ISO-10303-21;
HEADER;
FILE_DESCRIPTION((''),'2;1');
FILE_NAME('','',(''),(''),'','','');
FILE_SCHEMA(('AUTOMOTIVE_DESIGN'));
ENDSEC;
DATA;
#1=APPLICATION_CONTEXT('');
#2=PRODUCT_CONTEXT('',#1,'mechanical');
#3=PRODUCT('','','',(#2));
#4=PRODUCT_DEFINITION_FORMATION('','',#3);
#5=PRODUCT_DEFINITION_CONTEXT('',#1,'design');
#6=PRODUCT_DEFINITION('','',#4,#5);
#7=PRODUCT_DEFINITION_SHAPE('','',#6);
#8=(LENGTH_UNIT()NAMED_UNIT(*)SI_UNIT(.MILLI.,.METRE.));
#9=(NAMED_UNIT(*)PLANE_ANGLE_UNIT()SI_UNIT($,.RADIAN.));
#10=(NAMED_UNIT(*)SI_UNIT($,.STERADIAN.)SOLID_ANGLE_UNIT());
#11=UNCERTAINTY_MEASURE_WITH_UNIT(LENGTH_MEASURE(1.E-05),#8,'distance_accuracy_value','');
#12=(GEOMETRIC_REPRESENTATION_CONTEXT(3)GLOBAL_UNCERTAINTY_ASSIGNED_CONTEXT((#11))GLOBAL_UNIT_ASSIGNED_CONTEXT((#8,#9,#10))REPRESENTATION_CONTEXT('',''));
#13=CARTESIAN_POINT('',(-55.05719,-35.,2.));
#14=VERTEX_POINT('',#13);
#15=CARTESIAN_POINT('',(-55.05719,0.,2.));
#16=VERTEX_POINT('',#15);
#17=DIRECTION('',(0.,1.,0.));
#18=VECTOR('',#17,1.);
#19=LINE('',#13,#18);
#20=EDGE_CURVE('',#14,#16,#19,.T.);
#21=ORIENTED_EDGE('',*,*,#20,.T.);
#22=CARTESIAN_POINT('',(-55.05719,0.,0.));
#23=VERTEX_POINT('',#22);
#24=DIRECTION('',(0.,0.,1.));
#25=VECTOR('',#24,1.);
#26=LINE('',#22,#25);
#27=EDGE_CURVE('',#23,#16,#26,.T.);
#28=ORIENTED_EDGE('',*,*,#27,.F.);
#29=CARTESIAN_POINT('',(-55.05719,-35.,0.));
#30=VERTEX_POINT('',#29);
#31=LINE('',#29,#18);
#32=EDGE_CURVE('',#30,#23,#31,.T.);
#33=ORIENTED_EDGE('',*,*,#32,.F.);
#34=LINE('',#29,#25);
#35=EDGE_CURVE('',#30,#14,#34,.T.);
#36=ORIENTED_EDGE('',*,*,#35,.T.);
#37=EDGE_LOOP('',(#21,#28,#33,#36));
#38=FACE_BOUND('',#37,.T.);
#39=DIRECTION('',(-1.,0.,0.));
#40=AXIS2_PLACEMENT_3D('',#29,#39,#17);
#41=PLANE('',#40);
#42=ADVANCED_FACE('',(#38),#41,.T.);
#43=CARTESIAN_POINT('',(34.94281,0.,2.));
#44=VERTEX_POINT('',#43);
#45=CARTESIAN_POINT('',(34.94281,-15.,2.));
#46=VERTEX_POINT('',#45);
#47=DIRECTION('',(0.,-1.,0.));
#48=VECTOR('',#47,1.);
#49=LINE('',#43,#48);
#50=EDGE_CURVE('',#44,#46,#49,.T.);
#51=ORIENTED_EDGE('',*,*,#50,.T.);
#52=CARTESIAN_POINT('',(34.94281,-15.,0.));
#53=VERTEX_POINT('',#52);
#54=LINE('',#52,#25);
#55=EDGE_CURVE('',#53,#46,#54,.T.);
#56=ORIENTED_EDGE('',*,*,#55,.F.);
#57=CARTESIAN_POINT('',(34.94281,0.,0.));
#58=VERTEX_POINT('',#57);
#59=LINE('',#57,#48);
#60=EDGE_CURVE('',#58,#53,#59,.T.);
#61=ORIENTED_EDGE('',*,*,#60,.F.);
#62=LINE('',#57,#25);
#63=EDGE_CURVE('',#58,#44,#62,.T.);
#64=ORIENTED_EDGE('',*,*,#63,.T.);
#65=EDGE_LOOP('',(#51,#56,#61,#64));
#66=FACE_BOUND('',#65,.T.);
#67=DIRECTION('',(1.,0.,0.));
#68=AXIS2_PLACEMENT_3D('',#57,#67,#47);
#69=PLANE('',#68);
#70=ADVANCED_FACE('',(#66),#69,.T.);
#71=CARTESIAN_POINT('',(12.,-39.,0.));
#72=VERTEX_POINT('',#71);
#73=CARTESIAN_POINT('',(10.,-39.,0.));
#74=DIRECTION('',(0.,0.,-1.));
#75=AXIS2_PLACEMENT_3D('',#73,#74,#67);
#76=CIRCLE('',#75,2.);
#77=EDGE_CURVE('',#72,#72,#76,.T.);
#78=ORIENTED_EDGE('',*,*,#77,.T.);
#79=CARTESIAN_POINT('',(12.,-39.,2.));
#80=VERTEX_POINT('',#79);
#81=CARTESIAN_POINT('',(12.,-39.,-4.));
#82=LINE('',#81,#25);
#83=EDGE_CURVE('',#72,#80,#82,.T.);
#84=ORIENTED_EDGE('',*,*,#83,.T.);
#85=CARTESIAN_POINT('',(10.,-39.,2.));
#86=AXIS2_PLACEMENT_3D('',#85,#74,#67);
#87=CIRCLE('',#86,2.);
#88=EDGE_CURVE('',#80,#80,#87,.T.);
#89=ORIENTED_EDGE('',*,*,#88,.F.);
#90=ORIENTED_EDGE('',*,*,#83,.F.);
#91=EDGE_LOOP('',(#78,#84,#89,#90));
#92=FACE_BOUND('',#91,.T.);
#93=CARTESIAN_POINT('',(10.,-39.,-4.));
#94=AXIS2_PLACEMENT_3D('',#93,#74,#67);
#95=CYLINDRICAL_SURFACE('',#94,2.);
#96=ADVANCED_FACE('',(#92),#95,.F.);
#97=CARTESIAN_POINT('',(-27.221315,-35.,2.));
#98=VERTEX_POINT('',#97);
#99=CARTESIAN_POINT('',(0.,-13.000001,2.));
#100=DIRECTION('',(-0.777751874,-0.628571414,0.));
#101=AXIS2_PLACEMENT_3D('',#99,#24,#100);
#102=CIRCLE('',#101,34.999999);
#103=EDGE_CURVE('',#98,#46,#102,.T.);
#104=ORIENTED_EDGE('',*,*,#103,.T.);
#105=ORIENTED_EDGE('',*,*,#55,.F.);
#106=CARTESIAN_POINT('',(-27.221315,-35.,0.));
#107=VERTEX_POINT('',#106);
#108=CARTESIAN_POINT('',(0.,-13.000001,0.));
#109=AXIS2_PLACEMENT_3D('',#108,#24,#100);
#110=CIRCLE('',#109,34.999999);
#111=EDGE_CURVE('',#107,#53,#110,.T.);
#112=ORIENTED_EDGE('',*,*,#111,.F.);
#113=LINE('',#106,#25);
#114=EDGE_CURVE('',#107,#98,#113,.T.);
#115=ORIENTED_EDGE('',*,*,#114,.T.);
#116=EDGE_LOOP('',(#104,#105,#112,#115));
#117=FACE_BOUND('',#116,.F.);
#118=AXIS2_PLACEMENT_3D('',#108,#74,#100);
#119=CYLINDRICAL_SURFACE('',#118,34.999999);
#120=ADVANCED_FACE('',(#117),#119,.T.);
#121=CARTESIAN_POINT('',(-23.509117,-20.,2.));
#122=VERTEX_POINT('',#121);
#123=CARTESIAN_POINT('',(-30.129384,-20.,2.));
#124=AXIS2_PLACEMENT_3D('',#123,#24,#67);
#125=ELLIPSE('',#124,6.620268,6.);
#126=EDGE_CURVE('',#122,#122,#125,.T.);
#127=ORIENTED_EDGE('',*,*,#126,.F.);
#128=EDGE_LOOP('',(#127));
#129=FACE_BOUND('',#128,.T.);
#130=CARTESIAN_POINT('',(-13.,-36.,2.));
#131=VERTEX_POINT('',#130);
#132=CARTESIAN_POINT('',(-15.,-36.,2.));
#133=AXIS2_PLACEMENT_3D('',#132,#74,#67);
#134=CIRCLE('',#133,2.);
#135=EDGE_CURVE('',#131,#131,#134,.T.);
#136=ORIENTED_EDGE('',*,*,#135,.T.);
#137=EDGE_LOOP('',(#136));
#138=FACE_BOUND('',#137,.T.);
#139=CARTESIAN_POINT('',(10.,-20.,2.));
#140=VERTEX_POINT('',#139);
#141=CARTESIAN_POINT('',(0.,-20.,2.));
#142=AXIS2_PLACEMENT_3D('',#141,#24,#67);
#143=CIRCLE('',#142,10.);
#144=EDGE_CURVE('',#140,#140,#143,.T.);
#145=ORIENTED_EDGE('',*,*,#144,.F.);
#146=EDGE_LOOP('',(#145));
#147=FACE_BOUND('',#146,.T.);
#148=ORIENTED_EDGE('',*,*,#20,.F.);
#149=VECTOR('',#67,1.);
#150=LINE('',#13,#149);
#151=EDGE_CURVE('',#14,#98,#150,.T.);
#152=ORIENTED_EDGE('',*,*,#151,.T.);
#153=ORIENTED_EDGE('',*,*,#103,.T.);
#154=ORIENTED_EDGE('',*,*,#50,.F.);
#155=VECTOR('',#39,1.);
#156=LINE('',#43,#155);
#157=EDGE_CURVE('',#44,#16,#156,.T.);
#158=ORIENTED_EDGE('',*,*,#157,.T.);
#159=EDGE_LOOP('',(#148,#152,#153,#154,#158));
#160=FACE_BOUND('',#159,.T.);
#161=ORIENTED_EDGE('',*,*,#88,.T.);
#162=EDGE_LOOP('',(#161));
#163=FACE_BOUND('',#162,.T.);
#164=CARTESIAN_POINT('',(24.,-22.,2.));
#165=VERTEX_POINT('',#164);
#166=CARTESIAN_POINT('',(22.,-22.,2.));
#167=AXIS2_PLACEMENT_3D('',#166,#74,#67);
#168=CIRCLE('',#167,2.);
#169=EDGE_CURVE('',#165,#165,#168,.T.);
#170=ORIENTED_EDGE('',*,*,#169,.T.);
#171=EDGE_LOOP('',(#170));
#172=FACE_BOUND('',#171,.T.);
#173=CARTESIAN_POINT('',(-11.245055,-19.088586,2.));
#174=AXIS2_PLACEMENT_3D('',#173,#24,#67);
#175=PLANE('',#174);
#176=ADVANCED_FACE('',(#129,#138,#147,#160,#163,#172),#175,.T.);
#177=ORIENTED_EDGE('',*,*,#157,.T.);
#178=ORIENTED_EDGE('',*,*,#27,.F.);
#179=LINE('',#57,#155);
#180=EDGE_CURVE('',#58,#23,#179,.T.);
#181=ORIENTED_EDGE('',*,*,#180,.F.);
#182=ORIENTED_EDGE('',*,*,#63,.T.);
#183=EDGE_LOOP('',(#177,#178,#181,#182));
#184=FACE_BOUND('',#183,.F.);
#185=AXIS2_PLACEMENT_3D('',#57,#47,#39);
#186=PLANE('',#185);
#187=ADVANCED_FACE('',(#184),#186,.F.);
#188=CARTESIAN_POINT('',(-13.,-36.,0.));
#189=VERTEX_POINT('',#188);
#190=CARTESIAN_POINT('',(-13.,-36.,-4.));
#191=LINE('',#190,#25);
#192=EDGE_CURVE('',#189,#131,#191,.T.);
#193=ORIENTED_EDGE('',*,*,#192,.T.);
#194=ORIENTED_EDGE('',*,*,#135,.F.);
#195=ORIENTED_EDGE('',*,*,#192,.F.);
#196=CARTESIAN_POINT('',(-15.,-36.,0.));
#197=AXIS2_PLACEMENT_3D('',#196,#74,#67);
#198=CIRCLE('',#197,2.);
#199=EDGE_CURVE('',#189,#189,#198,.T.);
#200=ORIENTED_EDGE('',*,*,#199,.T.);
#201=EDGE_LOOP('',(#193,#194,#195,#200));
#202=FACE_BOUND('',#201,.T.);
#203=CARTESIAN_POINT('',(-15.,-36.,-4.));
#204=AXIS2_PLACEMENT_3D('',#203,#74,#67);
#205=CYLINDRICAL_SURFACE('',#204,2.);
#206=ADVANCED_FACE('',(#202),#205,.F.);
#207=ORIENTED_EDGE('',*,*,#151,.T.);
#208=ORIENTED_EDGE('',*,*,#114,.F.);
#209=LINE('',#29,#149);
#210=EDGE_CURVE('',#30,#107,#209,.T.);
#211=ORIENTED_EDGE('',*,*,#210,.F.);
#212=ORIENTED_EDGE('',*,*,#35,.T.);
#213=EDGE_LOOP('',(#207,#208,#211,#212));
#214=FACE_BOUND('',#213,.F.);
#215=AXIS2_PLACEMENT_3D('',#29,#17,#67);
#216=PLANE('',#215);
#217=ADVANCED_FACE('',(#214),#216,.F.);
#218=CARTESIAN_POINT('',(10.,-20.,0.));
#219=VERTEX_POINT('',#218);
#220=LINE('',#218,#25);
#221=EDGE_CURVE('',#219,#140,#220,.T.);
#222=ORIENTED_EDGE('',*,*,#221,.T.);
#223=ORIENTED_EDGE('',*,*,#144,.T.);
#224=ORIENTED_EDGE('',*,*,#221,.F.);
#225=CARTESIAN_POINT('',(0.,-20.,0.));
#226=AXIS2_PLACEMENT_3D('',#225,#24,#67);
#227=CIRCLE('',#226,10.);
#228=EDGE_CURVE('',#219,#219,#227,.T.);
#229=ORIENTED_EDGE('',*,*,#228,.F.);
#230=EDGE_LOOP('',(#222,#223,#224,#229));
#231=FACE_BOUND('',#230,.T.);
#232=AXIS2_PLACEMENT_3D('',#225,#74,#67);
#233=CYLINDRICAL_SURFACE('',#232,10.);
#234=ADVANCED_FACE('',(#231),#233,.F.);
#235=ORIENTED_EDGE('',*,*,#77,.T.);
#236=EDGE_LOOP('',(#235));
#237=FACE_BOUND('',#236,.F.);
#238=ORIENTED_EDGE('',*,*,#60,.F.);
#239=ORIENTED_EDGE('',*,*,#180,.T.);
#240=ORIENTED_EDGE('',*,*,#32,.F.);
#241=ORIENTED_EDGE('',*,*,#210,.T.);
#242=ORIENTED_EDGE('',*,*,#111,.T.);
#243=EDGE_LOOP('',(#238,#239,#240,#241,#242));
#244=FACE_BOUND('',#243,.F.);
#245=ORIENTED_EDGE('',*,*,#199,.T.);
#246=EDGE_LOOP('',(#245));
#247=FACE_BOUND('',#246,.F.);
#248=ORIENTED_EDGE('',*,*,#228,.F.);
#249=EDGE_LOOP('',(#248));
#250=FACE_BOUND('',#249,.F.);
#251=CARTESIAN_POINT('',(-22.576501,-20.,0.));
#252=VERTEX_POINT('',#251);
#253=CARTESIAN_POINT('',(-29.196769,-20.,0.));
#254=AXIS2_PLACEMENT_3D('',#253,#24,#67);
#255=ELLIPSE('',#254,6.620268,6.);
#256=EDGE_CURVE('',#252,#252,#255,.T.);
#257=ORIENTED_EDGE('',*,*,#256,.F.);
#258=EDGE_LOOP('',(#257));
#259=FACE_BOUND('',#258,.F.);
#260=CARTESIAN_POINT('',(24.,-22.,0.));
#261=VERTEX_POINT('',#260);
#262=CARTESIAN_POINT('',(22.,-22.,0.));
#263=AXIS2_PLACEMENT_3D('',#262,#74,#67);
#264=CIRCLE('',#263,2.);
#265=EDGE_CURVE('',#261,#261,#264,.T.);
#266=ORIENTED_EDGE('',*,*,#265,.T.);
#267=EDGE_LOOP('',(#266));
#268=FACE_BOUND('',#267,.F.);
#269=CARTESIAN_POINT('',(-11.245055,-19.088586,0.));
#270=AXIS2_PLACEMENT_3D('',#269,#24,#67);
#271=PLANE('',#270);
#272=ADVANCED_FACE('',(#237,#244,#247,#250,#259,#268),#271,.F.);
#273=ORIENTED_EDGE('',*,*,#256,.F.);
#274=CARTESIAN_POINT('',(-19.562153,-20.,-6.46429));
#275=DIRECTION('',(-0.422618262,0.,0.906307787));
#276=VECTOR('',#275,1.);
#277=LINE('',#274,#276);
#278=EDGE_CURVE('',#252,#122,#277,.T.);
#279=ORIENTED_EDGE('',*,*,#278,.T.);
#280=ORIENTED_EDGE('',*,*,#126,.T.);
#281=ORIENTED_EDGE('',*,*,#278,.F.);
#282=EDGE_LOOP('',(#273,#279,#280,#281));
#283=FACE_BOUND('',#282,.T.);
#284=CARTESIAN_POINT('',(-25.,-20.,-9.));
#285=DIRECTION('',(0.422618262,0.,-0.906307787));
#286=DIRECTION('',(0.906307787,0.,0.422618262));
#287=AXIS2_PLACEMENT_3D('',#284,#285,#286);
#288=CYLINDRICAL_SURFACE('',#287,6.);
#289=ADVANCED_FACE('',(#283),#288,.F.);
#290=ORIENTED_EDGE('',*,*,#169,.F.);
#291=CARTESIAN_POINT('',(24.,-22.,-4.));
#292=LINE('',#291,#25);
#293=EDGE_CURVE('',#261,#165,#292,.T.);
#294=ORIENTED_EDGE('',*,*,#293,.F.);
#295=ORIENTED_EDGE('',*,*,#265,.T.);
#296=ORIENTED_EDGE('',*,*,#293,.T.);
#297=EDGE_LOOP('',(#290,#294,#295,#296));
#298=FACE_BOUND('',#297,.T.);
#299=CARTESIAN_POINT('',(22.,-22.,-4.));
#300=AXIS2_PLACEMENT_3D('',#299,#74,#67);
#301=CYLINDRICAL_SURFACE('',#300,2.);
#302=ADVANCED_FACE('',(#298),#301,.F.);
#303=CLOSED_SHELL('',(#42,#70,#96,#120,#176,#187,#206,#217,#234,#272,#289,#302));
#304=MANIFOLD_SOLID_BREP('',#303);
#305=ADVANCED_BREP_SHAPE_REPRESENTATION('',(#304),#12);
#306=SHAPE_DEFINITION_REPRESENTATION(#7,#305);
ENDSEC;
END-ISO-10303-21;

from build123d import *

# Parameters (mm, degrees)
CYLINDER008_R               = 6
CYLINDER008_DEPTH           = 20
CYLINDER008_PLACEMENT_ANGLE = 25
CYLINDER006_R               = 2
CYLINDER006_DEPTH           = 10
CYLINDER005_R               = 2
CYLINDER005_DEPTH           = 10
CYLINDER004_R               = 2
CYLINDER004_DEPTH           = 10
SKETCH_R                    = 10
EXTRUDE_DEPTH               = 2


with BuildPart() as cylinder008:
    # Cylinder008 → Cylinder008 (new body)
    with BuildSketch(Plane.XY):
        Circle(CYLINDER008_R)
    extrude(amount=CYLINDER008_DEPTH)


with BuildPart() as cylinder008_1:
    # Cylinder008 placement: moved
    add(cylinder008.part.moved(Location((-25, -20, -9))).rotate(Axis((-25, -20, -9), (0, -1, 0)), CYLINDER008_PLACEMENT_ANGLE))


with BuildPart() as cylinder006:
    # Cylinder006 → Cylinder006 (new body)
    with BuildSketch(Plane(origin=(-15, -36, -4), x_dir=(1, 0, 0), z_dir=(0, 0, 1))):
        Circle(CYLINDER006_R)
    extrude(amount=CYLINDER006_DEPTH)


with BuildPart() as cylinder005:
    # Cylinder005 → Cylinder005 (new body)
    with BuildSketch(Plane(origin=(10, -39, -4), x_dir=(1, 0, 0), z_dir=(0, 0, 1))):
        Circle(CYLINDER005_R)
    extrude(amount=CYLINDER005_DEPTH)


with BuildPart() as cylinder004:
    # Cylinder004 → Cylinder004 (new body)
    with BuildSketch(Plane(origin=(22, -22, -4), x_dir=(1, 0, 0), z_dir=(0, 0, 1))):
        Circle(CYLINDER004_R)
    extrude(amount=CYLINDER004_DEPTH)


with BuildPart() as cut007:
    # Sketch → Extrude (new body)
    with BuildSketch(Plane.XY):
        with BuildLine():
            Line((-55.05719, -35), (-27.221315, -35))
            ThreePointArc((-27.221315, -35), (10.719392, -46.318083), (34.94281, -15))
            Line((34.94281, 0), (34.94281, -15))
            Line((34.94281, 0), (-55.05719, 0))
            Line((-55.05719, -35), (-55.05719, 0))
        make_face()
        with Locations((0, -20)):
            Circle(SKETCH_R, mode=Mode.SUBTRACT)
    extrude(amount=EXTRUDE_DEPTH)

    # Cut004: cut Cylinder004
    add(cylinder004.part, mode=Mode.SUBTRACT)

    # Cut005: cut Cylinder005
    add(cylinder005.part, mode=Mode.SUBTRACT)

    # Cut006: cut Cylinder006
    add(cylinder006.part, mode=Mode.SUBTRACT)

    # Cut007: cut Cylinder008
    add(cylinder008_1.part, mode=Mode.SUBTRACT)


solid = cut007.part
